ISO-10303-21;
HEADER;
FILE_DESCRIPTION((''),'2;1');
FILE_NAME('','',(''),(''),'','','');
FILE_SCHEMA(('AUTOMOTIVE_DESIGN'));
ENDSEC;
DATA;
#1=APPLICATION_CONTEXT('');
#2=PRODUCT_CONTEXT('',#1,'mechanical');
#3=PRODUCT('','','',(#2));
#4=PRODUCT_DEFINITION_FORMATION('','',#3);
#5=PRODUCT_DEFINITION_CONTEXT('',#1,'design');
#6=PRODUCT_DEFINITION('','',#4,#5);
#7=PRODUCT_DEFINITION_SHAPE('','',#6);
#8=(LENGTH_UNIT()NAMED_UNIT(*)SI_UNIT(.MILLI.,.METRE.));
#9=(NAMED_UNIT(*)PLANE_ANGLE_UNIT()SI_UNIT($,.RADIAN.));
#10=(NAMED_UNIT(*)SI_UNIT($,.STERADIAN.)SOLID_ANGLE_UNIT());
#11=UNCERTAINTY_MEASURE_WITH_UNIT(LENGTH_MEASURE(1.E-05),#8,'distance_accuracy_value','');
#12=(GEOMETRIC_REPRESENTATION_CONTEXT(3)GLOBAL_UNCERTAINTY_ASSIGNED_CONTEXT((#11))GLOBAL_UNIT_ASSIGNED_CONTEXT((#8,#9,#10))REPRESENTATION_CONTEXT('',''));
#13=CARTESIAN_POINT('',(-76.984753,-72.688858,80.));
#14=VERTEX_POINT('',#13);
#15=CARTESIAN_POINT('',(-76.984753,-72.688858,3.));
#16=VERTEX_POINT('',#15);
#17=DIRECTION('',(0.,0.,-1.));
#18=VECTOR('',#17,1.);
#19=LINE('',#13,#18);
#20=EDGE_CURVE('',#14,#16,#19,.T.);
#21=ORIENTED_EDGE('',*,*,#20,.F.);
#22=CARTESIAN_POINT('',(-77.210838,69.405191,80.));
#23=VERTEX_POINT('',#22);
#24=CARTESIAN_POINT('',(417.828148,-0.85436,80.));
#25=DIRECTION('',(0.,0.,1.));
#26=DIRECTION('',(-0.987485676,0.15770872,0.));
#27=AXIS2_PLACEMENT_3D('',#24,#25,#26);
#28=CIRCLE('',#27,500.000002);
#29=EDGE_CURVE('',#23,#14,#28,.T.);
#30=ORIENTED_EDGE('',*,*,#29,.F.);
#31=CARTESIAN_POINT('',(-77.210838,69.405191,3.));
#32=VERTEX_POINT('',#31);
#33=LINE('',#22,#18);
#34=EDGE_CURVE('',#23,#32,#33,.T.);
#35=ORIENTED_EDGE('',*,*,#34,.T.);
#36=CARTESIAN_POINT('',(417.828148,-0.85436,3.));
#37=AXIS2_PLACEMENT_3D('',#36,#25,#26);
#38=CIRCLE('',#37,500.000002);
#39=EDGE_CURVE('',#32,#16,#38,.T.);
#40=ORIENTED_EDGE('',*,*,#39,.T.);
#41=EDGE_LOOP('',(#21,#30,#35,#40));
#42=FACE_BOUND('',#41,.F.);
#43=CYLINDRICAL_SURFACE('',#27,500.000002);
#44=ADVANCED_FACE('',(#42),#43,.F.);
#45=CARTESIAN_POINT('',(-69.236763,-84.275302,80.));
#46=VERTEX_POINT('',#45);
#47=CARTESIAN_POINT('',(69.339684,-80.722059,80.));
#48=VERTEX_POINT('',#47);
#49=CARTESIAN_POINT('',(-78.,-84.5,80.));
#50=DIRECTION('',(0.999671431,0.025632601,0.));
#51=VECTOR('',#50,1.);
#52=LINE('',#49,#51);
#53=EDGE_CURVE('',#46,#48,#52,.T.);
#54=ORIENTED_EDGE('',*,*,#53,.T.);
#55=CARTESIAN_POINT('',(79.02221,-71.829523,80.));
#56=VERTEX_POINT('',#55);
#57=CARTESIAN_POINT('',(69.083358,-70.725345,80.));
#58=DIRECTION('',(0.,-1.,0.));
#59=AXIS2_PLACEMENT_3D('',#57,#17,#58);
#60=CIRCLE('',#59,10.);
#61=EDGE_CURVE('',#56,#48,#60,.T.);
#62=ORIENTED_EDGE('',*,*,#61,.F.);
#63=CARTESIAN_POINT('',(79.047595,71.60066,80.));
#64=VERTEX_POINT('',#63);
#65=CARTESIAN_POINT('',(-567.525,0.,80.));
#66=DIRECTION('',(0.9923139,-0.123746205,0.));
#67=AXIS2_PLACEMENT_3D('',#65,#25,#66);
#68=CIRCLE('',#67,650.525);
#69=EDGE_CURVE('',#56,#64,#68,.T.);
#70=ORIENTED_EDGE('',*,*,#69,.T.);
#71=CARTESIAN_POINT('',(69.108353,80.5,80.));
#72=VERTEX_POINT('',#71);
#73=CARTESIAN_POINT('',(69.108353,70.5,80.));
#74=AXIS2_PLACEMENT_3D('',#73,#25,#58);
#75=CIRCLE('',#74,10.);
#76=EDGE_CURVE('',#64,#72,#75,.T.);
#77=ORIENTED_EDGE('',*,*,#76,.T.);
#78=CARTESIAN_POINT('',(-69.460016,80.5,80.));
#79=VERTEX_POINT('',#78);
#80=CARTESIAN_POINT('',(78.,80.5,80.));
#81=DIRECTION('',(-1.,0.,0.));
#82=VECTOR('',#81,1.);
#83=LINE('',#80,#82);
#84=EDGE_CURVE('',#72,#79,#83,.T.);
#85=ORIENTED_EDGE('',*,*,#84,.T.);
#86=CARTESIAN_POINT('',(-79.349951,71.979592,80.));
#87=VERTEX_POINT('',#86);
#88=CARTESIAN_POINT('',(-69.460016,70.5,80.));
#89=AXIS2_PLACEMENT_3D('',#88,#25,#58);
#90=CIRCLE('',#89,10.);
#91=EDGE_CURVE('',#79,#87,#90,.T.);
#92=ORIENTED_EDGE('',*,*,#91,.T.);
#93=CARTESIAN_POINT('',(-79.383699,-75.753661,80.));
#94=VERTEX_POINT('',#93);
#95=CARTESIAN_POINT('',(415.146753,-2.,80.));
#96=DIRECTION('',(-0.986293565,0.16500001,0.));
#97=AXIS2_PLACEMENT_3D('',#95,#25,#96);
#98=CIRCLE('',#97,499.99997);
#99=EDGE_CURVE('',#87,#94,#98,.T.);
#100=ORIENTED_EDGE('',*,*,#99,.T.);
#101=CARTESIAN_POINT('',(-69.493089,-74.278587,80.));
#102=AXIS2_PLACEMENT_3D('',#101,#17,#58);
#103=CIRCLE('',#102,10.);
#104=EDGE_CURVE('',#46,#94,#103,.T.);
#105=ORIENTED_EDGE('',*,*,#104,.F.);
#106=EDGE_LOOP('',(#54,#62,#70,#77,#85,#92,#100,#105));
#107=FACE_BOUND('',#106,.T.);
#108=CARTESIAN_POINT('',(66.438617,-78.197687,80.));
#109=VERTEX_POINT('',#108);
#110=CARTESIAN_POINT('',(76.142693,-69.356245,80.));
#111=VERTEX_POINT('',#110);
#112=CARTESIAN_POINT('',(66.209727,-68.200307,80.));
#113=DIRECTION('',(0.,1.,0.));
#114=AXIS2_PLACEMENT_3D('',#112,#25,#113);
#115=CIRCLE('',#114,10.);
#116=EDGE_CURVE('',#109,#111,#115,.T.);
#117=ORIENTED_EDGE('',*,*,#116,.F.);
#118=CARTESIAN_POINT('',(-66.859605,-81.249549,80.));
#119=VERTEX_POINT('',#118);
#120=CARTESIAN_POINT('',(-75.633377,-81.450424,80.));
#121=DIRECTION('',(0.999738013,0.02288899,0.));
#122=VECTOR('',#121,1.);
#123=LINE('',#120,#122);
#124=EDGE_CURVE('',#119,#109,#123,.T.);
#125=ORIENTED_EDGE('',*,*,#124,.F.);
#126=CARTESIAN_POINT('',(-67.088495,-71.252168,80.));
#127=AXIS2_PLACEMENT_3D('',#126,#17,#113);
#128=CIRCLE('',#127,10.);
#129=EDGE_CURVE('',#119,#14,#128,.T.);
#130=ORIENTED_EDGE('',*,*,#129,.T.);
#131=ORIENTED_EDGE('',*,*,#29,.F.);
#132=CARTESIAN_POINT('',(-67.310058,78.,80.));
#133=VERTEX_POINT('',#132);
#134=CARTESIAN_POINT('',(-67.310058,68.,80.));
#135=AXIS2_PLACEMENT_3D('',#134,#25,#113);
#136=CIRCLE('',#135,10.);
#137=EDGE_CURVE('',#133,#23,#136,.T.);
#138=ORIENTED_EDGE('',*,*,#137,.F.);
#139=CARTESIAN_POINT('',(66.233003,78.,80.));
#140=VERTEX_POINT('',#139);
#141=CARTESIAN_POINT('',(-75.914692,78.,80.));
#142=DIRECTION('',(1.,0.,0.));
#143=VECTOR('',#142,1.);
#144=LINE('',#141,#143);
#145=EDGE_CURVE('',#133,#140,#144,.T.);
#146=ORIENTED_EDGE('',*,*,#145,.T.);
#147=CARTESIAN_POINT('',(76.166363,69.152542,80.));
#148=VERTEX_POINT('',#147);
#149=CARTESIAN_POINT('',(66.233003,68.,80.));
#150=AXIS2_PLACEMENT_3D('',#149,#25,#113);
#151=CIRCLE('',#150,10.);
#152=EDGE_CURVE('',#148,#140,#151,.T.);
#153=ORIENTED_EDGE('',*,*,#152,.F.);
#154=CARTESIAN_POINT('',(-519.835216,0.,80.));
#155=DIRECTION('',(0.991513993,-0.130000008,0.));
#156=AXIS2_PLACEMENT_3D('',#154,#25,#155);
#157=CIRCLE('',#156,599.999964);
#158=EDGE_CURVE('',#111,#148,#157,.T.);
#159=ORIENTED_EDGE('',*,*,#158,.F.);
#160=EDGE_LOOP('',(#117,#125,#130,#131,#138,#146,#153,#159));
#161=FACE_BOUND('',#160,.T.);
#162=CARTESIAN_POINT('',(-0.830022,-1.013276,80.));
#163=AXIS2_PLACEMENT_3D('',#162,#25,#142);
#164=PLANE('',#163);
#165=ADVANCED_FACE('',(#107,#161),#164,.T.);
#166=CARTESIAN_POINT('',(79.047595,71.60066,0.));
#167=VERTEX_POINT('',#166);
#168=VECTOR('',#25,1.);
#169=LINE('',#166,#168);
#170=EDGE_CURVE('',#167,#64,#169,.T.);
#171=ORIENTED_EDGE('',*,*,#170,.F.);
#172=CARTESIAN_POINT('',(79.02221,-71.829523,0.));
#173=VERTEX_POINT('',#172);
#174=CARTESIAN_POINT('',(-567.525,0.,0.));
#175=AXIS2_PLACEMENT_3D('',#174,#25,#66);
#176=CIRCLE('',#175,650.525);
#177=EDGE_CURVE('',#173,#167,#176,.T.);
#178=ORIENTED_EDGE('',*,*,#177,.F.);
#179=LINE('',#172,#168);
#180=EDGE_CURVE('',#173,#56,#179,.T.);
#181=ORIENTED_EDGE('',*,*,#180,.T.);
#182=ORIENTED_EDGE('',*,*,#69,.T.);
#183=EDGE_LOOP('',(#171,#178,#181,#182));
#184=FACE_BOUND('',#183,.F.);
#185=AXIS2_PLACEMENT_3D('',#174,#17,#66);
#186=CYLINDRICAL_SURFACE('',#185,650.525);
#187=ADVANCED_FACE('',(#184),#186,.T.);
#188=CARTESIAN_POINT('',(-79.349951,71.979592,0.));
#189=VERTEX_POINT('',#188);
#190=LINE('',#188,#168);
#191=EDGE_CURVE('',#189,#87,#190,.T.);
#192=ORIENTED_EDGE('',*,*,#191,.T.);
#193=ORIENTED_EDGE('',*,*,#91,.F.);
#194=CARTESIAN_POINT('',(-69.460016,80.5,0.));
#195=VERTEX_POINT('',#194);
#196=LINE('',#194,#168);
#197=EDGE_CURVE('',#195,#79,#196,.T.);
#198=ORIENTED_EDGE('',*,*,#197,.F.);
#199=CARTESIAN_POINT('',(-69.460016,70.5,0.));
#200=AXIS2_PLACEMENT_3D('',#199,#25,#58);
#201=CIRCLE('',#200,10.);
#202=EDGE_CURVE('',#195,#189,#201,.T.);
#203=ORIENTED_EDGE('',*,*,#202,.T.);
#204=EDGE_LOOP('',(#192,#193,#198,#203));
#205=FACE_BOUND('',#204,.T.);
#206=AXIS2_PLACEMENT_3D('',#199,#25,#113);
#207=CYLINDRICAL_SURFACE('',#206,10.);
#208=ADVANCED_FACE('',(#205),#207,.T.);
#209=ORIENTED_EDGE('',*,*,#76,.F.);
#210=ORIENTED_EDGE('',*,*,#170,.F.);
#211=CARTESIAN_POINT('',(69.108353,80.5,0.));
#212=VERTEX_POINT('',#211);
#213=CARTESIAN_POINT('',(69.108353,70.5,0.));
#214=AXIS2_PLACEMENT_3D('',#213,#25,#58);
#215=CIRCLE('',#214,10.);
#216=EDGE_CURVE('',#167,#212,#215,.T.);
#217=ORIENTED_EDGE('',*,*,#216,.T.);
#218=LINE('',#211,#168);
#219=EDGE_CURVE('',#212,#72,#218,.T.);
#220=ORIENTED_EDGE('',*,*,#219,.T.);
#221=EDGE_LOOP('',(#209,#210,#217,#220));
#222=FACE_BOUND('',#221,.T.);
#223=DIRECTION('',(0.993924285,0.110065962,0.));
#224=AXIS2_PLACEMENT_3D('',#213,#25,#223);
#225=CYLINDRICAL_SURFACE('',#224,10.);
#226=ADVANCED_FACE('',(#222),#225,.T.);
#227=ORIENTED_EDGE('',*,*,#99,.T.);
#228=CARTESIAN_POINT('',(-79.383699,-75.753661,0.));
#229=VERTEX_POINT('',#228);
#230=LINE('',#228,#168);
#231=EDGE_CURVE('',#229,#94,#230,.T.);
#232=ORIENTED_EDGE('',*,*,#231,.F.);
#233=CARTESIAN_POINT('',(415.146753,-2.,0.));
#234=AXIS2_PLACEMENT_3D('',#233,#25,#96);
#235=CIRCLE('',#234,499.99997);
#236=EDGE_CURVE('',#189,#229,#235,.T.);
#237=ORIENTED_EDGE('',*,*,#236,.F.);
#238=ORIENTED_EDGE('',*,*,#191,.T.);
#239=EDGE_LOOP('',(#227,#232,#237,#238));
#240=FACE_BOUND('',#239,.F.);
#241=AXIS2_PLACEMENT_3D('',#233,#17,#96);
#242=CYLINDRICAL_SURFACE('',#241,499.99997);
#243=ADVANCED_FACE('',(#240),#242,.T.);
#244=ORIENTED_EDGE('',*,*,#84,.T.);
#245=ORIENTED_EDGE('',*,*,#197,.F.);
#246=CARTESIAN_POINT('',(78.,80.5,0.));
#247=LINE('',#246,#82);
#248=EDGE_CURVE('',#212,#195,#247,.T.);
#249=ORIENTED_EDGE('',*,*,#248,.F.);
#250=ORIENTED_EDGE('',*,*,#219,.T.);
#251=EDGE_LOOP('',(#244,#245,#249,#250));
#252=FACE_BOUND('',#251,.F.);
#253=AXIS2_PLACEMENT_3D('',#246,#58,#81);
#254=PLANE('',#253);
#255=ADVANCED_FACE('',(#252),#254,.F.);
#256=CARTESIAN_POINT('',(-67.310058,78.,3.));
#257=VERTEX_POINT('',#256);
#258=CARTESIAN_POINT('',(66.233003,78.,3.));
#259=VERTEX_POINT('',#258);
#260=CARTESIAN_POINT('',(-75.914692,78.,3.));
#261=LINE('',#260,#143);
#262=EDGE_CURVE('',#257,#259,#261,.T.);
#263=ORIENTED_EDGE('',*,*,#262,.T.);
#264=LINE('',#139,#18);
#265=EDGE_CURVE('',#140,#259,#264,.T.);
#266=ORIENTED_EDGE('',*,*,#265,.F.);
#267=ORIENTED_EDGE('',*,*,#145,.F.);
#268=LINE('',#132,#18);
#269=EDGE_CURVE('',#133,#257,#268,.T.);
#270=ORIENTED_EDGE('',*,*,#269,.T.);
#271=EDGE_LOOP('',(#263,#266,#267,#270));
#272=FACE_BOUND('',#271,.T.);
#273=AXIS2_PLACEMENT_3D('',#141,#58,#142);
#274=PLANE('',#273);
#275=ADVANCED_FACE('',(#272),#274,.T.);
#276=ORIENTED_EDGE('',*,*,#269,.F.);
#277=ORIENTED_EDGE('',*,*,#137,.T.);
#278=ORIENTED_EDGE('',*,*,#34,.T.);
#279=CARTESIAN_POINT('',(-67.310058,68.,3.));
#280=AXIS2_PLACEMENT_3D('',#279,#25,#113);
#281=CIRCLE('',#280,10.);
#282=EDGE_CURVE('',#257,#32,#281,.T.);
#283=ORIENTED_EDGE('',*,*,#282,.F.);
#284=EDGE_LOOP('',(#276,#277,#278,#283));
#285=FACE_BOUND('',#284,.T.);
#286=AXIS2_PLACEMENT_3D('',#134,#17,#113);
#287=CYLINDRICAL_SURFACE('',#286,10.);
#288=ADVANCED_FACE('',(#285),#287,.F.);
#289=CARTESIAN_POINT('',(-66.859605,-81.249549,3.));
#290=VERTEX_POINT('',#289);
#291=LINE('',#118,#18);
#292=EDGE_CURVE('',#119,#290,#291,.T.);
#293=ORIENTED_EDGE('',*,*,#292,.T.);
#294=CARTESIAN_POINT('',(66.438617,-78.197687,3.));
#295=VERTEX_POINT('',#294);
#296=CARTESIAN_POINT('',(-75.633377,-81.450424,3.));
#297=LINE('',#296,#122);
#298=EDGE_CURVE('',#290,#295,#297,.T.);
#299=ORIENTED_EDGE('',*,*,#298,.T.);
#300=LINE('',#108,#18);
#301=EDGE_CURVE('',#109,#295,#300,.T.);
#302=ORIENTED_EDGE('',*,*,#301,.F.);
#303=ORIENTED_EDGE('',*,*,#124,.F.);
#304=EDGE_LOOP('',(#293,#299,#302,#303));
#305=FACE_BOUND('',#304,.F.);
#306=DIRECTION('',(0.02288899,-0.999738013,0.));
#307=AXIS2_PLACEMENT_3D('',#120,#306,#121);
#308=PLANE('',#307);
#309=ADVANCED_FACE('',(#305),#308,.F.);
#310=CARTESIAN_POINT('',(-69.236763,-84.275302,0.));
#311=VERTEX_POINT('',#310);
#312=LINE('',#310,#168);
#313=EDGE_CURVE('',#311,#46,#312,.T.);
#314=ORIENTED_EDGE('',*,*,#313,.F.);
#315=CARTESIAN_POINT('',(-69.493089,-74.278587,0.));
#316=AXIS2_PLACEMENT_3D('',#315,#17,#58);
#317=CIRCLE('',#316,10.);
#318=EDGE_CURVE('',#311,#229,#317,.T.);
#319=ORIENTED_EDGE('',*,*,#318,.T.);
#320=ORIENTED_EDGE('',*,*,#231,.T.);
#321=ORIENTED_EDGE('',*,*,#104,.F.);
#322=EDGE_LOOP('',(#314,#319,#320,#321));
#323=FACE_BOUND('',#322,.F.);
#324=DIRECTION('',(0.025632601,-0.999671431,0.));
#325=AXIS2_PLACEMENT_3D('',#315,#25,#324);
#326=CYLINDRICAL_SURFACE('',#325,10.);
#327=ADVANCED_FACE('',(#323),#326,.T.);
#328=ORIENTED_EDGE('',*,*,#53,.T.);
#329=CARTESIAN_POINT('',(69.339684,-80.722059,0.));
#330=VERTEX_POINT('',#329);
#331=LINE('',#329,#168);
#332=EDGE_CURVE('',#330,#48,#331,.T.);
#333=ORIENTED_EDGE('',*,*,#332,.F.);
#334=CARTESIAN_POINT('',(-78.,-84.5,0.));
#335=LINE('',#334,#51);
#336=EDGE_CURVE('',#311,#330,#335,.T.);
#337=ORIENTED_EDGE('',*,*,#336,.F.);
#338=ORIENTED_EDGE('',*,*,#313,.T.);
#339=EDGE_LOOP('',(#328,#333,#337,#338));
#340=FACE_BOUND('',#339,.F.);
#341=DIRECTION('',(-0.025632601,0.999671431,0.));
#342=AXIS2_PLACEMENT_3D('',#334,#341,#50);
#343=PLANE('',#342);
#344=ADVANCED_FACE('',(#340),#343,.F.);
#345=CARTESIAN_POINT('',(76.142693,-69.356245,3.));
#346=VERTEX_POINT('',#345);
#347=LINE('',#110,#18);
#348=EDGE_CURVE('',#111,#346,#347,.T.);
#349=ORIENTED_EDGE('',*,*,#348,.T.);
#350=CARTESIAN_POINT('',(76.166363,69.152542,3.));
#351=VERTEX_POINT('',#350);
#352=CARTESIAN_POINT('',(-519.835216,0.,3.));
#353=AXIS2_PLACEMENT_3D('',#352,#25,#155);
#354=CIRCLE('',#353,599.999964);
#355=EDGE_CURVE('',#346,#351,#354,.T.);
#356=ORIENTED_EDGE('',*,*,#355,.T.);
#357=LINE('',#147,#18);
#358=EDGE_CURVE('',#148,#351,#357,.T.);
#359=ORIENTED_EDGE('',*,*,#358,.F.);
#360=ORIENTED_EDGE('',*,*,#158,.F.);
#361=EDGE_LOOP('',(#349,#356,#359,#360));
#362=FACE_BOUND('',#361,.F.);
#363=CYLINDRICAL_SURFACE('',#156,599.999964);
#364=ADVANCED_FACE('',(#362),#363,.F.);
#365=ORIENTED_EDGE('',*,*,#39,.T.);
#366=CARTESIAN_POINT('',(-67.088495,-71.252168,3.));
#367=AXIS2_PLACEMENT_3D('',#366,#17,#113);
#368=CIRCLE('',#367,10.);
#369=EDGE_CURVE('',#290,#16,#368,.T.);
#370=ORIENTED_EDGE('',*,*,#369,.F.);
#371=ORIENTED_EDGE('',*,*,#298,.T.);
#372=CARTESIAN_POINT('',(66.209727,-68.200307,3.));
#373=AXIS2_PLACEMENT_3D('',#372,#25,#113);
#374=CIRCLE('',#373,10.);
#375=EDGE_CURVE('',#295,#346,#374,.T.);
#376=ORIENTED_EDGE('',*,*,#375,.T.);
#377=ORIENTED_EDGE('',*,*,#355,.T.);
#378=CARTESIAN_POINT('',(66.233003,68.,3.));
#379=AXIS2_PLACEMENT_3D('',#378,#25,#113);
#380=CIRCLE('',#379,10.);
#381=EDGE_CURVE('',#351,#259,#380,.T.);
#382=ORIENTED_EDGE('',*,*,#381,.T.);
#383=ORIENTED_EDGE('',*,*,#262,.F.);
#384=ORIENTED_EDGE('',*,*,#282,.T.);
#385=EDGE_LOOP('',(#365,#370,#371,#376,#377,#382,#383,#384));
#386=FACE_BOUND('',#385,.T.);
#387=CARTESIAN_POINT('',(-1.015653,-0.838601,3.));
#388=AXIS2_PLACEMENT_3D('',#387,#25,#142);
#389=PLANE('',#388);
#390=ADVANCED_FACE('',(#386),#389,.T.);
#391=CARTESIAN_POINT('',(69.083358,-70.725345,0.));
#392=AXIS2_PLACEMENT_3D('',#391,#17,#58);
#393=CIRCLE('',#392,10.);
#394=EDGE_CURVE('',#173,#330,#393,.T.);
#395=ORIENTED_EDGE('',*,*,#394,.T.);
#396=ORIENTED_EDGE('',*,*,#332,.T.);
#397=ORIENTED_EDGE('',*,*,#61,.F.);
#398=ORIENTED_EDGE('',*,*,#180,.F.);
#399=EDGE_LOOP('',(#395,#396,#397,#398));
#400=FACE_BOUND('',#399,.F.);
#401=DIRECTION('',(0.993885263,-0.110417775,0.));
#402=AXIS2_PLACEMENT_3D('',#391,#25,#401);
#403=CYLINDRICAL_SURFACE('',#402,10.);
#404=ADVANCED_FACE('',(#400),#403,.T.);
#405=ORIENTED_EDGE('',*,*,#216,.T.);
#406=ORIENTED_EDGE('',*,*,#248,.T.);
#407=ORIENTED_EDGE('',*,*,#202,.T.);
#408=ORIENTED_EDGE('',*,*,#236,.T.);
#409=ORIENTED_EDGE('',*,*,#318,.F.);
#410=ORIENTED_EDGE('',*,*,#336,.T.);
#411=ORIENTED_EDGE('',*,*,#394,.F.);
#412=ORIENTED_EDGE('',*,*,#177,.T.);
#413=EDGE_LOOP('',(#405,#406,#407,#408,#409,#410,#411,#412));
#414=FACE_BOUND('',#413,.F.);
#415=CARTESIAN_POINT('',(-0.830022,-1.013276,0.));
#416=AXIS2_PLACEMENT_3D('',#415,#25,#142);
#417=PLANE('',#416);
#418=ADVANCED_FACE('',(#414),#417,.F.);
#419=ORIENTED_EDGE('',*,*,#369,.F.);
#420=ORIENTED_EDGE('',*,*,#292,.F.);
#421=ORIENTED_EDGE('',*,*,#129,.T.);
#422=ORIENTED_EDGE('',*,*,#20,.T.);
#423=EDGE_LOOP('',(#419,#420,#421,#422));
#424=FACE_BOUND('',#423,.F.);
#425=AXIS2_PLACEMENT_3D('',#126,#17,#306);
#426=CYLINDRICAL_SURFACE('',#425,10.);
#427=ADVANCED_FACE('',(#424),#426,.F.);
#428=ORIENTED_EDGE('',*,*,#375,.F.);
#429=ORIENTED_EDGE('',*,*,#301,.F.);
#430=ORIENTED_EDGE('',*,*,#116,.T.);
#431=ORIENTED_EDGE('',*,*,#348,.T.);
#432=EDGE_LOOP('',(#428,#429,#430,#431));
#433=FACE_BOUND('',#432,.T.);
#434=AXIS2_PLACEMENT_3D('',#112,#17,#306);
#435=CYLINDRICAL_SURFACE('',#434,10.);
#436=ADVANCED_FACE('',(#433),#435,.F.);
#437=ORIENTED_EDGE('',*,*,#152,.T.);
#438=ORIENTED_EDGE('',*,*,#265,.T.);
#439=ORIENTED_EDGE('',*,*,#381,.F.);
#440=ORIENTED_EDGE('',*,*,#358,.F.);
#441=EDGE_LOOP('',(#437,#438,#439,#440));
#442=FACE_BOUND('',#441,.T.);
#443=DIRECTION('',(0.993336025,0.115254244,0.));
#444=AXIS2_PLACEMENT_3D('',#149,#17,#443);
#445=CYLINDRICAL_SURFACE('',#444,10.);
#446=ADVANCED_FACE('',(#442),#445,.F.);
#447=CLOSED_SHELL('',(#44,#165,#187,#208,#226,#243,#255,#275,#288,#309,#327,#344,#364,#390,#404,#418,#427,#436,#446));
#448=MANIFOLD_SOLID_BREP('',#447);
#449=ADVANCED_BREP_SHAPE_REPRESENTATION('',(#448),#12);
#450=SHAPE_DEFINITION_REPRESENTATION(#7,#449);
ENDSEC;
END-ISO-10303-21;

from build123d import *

# Parameters (mm, degrees)
PAD_DEPTH    = 80
POCKET_DEPTH = 77
FILLET_R     = 10
FILLET001_R  = 10


with BuildPart() as part:
    # Sketch → Pad (new body)
    with BuildSketch(Plane.XY):
        with BuildLine():
            ThreePointArc((78, -80.5), (83, 0), (78, 80.5))
            Line((78, 80.5), (-78, 80.5))
            ThreePointArc((-78, 80.5), (-84.853217, -2), (-78, -84.5))
            Line((-78, -84.5), (78, -80.5))
        make_face()
    extrude(amount=PAD_DEPTH)

    # Sketch001 (on Face6 of Pad) → Pocket (cut)
    with BuildSketch(Plane.XY.offset(80)):
        with BuildLine():
            Line((-75.633377, -81.450424), (75.073144, -78))
            ThreePointArc((75.073144, -78), (80.164748, 0), (75.073144, 78))
            Line((-75.914692, 78), (75.073144, 78))
            ThreePointArc((-75.914692, 78), (-82.171076, -1.736498), (-75.633377, -81.450424))
        make_face()
    extrude(amount=-POCKET_DEPTH, mode=Mode.SUBTRACT)

    # Fillet
    fillet_edges = [part.edges().sort_by_distance(p)[0] for p in [
        (-75.914692, 78, 41.5),
        (75.073144, 78, 41.5),
        (-75.633377, -81.450424, 41.5),
        (75.073144, -78, 41.5),
    ]]
    fillet(fillet_edges, radius=FILLET_R)

    # Fillet001
    fillet001_edges = [part.edges().sort_by_distance(p)[0] for p in [
        (78, 80.5, 40),
        (78, -80.5, 40),
        (-78, 80.5, 40),
        (-78, -84.5, 40),
    ]]
    fillet(fillet001_edges, radius=FILLET001_R)


solid = part.part
